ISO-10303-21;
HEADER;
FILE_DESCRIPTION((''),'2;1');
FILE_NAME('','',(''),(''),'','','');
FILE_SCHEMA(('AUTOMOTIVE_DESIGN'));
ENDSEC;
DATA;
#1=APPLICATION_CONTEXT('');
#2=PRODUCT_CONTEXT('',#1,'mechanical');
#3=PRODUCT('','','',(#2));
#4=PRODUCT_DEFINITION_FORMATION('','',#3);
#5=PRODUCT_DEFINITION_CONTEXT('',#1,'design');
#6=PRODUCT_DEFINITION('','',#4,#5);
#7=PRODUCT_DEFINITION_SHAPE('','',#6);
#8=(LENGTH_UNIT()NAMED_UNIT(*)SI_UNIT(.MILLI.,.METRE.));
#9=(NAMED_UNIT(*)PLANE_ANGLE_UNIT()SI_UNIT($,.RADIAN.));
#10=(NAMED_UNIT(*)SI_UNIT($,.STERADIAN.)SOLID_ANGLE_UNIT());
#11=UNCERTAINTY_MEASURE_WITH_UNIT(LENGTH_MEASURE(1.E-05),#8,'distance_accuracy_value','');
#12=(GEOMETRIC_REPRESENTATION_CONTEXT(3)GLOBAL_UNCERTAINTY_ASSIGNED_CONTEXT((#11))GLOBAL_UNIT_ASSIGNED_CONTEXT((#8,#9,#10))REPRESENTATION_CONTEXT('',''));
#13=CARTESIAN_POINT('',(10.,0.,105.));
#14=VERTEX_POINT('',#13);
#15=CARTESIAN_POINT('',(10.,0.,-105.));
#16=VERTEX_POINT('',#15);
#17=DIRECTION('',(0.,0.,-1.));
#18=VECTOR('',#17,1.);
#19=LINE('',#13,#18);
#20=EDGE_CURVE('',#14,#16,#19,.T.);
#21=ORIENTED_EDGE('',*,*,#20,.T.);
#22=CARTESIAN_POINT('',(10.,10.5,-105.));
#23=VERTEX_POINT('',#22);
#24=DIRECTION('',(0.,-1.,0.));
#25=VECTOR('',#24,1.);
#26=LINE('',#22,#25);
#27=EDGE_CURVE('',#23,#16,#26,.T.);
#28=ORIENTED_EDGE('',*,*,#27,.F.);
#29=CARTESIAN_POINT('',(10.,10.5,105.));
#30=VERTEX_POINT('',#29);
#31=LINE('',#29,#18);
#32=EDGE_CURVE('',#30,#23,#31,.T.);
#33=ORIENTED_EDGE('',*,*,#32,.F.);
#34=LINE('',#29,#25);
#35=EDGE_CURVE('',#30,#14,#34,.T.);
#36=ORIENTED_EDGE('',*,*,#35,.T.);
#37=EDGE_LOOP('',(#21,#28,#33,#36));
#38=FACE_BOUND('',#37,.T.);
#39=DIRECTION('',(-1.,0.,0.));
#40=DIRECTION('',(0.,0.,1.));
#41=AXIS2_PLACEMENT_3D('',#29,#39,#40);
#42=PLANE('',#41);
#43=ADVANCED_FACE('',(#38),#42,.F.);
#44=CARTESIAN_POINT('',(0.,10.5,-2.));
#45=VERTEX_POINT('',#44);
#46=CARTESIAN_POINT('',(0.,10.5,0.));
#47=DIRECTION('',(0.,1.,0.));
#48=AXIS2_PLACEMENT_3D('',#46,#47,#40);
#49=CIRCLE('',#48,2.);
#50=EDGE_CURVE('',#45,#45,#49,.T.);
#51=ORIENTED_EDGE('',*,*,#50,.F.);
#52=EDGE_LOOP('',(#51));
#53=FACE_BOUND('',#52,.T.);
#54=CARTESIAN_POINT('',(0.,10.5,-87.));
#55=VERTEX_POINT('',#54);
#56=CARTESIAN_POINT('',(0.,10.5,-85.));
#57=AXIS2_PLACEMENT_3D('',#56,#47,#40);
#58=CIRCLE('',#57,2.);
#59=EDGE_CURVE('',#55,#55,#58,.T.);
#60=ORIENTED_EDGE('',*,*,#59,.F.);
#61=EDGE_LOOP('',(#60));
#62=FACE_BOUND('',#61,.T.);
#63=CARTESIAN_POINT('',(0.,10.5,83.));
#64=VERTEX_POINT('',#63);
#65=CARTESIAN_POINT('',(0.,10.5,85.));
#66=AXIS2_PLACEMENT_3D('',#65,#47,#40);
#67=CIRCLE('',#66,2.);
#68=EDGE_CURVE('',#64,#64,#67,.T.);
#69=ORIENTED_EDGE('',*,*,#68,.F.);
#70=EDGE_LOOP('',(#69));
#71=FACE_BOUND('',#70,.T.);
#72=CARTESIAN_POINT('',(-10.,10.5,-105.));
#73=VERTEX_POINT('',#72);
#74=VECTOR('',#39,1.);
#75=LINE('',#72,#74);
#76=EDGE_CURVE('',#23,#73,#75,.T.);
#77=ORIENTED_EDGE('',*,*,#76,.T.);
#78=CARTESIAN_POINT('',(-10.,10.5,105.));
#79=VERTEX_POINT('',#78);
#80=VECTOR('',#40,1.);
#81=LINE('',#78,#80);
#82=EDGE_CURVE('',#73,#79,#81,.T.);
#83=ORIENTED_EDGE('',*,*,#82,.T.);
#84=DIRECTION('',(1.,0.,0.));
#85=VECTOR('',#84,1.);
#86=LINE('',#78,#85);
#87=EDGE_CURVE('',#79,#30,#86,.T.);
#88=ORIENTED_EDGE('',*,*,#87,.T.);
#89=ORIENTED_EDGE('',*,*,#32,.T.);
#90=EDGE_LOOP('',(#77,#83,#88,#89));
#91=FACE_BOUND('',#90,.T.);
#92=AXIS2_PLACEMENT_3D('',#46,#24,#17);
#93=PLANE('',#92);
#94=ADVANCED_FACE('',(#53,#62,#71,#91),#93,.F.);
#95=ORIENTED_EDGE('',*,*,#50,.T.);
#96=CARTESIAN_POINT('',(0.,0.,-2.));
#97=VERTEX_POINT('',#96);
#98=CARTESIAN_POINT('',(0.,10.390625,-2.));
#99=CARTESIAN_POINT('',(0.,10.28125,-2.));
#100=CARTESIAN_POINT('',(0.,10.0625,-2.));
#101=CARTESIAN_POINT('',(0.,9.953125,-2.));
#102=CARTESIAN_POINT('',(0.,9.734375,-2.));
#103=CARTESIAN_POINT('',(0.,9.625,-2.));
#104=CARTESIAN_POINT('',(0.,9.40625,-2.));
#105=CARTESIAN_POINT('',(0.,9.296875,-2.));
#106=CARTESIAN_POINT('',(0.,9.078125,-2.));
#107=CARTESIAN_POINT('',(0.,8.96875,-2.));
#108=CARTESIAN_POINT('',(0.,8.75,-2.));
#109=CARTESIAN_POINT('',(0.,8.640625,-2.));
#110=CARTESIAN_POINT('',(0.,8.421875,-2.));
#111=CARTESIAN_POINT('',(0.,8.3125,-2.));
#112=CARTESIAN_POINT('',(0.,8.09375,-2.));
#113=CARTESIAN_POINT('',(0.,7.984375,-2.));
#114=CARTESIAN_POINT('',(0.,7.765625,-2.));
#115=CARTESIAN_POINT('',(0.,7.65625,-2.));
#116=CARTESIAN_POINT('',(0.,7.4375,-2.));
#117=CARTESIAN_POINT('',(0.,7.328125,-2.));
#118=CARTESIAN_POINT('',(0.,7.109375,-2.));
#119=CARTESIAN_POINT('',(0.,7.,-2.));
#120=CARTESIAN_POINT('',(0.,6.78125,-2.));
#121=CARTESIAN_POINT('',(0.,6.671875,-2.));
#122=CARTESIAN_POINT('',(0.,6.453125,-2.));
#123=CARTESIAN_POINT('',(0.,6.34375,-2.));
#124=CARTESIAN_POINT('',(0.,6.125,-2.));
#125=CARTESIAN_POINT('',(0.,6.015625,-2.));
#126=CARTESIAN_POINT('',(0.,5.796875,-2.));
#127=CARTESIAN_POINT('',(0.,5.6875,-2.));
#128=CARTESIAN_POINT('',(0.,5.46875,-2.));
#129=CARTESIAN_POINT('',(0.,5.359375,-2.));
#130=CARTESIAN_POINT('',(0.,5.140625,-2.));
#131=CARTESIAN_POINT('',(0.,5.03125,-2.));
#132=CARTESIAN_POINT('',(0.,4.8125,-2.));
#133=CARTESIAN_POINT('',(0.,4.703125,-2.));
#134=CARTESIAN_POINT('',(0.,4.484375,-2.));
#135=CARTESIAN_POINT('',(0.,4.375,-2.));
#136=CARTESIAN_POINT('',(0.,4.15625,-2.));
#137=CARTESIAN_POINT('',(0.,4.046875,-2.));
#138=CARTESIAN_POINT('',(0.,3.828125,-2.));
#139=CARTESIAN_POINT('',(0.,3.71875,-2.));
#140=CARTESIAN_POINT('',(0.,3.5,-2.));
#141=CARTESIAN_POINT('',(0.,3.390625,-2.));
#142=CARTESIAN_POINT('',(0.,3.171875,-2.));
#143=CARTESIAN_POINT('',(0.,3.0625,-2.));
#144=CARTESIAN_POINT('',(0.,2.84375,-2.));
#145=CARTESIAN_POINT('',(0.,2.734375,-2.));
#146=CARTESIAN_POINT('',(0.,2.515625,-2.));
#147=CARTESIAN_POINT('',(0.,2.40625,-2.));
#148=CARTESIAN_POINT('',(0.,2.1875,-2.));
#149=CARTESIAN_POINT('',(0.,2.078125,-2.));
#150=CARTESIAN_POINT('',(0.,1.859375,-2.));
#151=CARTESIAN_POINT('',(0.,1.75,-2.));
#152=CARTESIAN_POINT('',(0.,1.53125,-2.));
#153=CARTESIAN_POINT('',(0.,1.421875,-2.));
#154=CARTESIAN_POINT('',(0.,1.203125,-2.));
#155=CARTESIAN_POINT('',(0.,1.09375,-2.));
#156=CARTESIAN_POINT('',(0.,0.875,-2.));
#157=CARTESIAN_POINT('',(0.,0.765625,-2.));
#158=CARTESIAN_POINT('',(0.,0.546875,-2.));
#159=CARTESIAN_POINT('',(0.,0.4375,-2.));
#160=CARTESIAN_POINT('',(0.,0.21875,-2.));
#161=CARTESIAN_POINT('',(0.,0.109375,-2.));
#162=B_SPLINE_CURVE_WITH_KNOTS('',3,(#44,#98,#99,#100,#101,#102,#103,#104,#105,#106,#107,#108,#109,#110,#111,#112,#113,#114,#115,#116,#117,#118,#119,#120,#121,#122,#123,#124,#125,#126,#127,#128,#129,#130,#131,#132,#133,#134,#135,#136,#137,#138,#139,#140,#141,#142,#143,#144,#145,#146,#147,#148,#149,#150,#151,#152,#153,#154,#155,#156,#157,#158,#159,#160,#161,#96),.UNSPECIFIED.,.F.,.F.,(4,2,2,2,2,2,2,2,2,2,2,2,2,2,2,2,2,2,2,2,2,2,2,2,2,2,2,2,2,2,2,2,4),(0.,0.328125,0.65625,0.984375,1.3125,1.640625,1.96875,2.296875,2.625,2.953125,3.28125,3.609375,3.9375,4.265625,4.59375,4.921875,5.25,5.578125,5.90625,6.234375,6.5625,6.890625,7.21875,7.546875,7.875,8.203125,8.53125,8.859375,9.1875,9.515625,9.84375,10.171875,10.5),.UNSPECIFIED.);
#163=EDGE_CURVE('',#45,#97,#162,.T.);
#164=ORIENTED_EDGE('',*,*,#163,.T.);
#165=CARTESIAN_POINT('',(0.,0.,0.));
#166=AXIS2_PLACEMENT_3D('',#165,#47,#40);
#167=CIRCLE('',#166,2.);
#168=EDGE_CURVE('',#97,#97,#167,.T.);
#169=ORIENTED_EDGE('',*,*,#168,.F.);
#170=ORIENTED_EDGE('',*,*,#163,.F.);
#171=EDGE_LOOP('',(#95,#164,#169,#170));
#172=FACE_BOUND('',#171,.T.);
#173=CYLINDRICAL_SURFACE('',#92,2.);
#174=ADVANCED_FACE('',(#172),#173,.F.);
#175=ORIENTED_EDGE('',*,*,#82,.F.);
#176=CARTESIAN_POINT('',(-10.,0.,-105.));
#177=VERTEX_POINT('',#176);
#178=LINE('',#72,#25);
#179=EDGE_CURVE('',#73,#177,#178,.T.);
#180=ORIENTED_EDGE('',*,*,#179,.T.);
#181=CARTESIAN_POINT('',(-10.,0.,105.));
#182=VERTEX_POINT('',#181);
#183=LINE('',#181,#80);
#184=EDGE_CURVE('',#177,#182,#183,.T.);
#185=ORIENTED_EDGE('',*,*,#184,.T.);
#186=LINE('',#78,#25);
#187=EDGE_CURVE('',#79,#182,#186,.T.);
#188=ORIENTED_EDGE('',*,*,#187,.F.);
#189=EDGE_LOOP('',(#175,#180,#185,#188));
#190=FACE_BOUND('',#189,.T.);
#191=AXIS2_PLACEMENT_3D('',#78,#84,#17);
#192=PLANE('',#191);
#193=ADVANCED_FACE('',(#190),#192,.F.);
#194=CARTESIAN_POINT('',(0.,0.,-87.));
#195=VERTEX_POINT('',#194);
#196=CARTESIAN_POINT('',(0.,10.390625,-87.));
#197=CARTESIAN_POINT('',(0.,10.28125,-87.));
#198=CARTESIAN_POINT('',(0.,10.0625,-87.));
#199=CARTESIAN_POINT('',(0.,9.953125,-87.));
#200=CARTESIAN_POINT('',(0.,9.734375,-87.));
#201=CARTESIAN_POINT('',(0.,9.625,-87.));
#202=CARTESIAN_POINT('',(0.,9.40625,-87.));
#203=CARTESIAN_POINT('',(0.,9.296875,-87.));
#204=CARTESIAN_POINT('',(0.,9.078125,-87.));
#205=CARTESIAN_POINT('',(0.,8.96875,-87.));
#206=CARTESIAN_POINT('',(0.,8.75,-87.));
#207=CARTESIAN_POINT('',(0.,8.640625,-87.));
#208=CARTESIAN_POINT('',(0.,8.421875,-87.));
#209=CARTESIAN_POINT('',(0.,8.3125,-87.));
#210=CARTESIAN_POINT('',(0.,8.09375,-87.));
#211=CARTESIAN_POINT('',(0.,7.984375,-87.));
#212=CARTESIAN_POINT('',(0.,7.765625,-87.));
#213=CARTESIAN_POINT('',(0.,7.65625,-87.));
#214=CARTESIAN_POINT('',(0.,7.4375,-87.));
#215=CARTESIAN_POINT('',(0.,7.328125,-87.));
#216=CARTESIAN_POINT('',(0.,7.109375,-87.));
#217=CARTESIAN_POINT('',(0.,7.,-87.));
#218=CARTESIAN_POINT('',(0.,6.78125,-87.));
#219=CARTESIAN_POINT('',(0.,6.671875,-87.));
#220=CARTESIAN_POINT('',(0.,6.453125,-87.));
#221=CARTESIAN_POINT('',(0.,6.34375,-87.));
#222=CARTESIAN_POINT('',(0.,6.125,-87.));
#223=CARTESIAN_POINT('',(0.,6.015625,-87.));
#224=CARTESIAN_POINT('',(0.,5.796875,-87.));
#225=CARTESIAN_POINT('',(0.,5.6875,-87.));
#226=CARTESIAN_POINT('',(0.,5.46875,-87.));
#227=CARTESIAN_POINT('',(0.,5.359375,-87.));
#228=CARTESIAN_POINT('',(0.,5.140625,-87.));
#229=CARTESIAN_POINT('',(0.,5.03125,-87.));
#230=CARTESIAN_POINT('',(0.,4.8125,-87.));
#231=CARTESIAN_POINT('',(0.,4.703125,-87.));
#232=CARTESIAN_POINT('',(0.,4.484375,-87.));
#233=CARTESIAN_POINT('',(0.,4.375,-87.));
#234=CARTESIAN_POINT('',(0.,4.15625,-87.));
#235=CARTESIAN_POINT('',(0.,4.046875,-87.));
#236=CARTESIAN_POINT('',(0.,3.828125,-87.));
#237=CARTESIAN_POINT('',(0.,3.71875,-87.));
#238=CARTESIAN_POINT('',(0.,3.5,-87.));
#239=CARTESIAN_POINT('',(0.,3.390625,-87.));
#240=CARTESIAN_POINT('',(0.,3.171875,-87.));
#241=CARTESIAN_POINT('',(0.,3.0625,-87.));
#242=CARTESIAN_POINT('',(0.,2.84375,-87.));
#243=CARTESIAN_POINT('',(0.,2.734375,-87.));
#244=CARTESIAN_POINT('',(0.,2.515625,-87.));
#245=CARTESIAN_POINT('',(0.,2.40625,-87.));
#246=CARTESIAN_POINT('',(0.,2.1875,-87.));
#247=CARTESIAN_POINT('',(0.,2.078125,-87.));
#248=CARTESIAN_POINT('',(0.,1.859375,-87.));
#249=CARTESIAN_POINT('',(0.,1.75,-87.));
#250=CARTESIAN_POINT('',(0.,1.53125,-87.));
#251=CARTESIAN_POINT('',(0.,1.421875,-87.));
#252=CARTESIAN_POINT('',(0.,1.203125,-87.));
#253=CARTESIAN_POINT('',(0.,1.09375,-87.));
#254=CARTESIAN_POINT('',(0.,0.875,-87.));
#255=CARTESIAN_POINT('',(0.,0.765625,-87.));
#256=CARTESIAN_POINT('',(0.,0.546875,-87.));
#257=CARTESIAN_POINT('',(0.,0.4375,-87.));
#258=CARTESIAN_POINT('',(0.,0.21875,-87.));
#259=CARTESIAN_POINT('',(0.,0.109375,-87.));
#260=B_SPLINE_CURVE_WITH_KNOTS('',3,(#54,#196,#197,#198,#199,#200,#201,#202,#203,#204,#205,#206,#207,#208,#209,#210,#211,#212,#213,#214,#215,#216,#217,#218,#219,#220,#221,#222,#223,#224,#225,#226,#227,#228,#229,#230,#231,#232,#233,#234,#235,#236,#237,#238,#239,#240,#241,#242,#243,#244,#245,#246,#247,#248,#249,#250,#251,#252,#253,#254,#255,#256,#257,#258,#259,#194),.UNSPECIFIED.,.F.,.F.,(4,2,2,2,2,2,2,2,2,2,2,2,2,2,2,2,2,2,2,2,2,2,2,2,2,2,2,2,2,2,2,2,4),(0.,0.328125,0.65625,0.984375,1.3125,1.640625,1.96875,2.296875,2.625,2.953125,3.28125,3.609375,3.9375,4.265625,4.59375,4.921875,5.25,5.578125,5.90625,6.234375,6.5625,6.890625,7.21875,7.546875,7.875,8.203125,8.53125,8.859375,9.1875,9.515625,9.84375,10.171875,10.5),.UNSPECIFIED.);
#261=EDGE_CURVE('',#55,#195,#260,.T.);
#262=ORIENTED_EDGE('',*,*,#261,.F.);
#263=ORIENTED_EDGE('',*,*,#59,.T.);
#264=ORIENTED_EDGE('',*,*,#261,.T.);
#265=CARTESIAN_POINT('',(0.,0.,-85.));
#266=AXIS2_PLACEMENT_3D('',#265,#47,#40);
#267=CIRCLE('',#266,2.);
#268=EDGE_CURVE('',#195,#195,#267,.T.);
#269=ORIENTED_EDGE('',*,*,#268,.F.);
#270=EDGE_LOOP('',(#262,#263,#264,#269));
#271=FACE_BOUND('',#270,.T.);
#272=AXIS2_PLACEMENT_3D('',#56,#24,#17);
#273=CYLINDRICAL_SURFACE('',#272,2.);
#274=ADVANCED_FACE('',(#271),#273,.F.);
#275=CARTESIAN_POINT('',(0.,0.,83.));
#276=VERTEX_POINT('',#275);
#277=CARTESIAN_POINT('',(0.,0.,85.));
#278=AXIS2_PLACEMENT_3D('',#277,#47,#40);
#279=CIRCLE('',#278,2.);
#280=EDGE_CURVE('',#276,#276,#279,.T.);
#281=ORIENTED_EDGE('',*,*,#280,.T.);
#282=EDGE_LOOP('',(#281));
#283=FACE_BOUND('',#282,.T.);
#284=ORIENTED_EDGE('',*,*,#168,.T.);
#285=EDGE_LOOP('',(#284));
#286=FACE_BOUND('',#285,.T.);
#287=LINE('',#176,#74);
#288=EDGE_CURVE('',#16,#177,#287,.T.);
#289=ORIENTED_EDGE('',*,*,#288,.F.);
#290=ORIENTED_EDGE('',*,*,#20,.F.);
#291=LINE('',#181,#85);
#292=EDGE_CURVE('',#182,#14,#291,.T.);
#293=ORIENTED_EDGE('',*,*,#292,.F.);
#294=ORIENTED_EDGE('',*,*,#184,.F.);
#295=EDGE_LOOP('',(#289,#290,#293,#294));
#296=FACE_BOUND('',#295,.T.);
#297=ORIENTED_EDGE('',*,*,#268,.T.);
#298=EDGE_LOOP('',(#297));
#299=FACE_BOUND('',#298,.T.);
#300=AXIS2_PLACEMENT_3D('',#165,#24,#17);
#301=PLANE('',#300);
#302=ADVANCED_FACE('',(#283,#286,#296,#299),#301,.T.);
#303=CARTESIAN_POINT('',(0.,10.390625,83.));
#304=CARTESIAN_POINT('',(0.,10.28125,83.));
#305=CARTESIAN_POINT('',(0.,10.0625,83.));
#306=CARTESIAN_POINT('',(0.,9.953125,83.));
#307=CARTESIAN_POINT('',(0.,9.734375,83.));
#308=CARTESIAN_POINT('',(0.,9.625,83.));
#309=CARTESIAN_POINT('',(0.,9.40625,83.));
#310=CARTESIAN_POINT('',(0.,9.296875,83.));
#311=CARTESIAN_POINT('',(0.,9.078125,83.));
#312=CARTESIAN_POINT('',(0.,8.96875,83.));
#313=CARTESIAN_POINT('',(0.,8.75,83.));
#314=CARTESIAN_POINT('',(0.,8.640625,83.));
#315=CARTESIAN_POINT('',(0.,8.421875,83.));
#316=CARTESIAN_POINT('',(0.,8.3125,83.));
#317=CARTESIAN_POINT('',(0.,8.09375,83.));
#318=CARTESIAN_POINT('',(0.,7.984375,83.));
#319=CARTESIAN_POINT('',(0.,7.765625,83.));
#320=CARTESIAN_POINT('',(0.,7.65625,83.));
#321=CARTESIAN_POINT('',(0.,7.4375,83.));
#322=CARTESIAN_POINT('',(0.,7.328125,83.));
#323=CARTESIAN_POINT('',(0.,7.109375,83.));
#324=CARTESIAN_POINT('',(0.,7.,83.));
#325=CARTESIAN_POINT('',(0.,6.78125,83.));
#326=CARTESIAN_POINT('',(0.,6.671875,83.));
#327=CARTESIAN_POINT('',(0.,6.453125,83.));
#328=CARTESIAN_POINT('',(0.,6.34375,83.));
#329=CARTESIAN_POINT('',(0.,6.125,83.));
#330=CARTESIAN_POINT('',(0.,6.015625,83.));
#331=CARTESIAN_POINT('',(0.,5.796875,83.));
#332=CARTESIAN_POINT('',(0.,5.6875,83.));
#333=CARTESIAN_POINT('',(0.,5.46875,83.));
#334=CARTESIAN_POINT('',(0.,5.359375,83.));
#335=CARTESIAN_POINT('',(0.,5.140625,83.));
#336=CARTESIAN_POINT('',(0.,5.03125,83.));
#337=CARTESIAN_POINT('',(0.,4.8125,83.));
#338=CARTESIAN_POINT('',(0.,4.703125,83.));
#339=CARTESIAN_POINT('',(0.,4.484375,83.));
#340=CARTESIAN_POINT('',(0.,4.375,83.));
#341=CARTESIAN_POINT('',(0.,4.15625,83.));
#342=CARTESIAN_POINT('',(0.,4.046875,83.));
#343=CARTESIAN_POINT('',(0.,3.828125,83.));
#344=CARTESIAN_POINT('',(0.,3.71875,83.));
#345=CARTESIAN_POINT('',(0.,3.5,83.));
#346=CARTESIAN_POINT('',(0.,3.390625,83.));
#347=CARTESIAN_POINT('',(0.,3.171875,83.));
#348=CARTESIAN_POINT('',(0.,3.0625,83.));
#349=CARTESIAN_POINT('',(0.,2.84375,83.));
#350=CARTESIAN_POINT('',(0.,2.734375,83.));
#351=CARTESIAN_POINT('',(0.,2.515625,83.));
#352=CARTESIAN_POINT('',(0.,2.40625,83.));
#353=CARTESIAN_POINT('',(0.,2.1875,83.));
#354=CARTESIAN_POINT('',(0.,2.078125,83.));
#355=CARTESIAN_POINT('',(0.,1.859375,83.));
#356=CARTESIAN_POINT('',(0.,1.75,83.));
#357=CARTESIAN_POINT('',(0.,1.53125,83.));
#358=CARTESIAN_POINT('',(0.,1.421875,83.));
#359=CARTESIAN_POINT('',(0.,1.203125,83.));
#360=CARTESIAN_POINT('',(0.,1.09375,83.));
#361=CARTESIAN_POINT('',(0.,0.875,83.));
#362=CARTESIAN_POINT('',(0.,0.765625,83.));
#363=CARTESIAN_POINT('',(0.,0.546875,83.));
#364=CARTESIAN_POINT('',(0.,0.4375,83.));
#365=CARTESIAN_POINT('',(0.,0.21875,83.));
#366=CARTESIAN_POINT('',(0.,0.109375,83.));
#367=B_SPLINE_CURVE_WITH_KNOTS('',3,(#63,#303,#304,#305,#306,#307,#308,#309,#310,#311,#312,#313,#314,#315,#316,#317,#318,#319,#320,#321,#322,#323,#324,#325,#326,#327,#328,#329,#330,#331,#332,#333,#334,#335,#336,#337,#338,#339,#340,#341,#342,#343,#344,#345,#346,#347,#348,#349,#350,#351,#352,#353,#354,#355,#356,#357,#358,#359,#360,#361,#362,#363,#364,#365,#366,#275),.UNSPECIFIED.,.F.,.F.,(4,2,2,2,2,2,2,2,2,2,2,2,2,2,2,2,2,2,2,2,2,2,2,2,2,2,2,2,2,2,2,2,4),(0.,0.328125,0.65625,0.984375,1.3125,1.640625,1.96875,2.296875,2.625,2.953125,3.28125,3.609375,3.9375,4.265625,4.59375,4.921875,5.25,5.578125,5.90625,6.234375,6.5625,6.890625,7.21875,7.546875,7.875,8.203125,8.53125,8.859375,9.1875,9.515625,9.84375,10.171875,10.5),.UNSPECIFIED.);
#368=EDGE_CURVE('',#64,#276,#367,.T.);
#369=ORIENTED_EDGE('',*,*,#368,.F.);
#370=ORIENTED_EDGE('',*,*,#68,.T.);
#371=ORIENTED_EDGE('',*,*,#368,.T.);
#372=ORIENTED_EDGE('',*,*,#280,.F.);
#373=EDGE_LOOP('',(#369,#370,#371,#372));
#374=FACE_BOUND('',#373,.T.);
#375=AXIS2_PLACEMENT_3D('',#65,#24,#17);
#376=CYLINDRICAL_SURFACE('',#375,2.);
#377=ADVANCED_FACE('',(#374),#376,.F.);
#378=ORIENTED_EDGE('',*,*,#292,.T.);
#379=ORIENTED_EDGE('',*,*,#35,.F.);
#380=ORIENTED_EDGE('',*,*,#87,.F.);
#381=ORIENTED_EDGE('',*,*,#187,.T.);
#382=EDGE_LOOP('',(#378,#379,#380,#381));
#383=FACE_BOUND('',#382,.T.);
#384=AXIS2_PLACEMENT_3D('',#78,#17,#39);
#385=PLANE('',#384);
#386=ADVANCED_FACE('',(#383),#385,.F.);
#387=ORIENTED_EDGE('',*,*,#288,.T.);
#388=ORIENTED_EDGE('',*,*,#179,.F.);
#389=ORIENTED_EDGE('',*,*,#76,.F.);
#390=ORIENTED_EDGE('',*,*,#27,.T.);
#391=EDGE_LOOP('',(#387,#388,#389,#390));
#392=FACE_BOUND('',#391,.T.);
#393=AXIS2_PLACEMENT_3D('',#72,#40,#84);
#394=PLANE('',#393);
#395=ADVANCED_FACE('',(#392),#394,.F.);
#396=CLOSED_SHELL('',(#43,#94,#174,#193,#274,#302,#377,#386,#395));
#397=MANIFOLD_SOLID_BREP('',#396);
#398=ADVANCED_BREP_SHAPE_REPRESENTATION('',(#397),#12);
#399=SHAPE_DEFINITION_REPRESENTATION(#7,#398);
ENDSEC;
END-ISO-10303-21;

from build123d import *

# Parameters (mm, degrees)
SKETCH1_W           = 20
SKETCH1_H           = 210
SKETCH1_R           = 2
BOSS_EXTRUDE1_DEPTH = 10.5


with BuildPart() as part:
    # Sketch1 → Boss-Extrude1 (new body)
    with BuildSketch(Plane(origin=(0, 0, 0), x_dir=(1, 0, 0), z_dir=(0, 1, 0))):
        Rectangle(SKETCH1_W, SKETCH1_H)
        with Locations(Location((0, 85, 0), (0, 0, 90))):
            Circle(SKETCH1_R, mode=Mode.SUBTRACT)
        with Locations(Location((0, 0, 0), (0, 0, 90))):
            Circle(SKETCH1_R, mode=Mode.SUBTRACT)
        with Locations(Location((0, -85, 0), (0, 0, 90))):
            Circle(SKETCH1_R, mode=Mode.SUBTRACT)
    extrude(amount=BOSS_EXTRUDE1_DEPTH)


solid = part.part
